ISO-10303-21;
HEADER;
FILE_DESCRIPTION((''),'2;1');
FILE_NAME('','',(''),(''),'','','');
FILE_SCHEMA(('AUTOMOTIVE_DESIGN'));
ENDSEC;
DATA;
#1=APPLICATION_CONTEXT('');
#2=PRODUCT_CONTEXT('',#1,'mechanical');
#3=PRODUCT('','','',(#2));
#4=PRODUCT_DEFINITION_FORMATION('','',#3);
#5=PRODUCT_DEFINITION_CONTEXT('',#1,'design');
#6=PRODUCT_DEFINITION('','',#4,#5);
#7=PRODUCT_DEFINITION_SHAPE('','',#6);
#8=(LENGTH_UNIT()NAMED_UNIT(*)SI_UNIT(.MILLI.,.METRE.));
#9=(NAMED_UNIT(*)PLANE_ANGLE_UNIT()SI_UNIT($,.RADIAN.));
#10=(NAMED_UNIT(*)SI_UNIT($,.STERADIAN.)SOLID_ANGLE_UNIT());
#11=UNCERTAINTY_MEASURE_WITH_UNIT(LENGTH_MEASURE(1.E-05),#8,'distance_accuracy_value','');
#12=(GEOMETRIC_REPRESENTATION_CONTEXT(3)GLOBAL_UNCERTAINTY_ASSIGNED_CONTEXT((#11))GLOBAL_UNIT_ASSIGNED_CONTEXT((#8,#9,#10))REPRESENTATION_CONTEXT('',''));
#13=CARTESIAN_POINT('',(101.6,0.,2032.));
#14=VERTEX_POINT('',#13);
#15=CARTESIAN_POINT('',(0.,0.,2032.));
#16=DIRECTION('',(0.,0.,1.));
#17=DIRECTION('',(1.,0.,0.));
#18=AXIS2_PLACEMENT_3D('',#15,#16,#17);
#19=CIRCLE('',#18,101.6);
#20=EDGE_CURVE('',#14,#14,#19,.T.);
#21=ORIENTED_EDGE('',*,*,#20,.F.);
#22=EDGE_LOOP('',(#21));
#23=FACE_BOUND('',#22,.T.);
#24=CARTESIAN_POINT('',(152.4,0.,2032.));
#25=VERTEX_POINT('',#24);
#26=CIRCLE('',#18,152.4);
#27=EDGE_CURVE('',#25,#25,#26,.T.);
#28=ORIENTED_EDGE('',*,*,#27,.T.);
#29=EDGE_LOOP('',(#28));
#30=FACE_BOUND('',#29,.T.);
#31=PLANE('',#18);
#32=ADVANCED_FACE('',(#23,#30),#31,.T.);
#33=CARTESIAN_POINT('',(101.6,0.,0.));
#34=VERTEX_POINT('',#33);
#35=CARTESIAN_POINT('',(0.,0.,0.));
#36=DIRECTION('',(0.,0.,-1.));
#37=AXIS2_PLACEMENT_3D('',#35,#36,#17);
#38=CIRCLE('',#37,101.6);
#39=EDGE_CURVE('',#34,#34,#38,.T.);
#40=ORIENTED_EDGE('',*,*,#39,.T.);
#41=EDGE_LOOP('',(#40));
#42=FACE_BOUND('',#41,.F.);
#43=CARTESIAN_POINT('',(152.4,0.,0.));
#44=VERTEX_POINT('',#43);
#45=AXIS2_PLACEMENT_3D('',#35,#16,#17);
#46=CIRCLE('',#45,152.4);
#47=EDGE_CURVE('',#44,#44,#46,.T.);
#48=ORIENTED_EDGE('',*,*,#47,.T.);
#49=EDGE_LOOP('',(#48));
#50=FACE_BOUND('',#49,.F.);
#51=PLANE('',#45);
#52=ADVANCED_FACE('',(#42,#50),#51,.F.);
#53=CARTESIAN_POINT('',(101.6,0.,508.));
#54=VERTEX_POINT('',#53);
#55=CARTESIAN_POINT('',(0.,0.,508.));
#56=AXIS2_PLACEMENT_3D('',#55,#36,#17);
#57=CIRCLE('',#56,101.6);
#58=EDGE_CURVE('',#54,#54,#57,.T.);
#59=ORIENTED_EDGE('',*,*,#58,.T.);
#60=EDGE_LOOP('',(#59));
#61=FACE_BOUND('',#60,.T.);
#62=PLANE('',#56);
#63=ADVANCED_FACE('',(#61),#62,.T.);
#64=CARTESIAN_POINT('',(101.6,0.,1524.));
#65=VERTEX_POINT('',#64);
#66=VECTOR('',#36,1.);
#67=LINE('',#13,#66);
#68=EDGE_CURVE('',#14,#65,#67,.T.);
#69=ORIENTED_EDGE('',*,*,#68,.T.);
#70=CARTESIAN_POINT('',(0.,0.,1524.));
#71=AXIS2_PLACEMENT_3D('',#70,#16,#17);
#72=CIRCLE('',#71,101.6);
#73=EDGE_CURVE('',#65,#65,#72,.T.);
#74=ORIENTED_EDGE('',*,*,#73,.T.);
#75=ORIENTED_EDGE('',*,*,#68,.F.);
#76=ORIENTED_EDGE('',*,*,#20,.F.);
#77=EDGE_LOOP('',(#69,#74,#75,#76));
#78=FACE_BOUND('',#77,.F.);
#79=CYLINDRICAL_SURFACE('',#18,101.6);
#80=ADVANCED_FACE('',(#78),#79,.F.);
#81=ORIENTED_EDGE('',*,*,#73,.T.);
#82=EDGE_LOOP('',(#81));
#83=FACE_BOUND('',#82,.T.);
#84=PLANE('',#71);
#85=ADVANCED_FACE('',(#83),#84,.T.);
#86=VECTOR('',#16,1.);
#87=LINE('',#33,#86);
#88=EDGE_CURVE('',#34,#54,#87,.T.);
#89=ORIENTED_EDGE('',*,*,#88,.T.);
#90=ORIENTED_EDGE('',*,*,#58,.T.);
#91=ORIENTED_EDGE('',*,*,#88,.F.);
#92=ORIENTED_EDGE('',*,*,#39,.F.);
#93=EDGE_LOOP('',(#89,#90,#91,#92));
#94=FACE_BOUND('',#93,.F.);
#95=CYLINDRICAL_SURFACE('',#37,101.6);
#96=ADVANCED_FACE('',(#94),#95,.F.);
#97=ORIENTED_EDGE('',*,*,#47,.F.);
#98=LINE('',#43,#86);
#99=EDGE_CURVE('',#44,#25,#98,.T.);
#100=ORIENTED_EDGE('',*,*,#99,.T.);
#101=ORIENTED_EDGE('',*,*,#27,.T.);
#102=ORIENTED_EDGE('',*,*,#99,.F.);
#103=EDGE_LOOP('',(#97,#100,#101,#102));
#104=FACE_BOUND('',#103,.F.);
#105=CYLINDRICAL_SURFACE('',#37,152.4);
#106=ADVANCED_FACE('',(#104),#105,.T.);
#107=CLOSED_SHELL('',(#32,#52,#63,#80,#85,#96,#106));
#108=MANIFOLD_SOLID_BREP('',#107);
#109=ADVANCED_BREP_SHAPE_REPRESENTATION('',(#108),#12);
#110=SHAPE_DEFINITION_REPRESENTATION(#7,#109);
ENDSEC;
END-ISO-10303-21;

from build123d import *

# Parameters (mm, degrees)
F0_R     = 152.4
F1_DEPTH = 2032
F2_R     = 101.6
F3_DEPTH = 508
F4_R     = 101.6
F5_DEPTH = 508


with BuildPart() as f1:
    # F0 (on Top) → F1 (new body)
    with BuildSketch(Plane.XY):
        Circle(F0_R)
    extrude(amount=F1_DEPTH)

    # F2 (on face) → F3 (cut)
    with BuildSketch(Plane.XY.offset(2032)):
        Circle(F2_R)
    extrude(amount=-F3_DEPTH, mode=Mode.SUBTRACT)

    # F4 (on face) → F5 (cut)
    with BuildSketch(Plane(origin=(0, 0, 0), x_dir=(1, 0, 0), z_dir=(0, 0, -1))):
        Circle(F4_R)
    extrude(amount=-F5_DEPTH, mode=Mode.SUBTRACT)


solid = f1.part
